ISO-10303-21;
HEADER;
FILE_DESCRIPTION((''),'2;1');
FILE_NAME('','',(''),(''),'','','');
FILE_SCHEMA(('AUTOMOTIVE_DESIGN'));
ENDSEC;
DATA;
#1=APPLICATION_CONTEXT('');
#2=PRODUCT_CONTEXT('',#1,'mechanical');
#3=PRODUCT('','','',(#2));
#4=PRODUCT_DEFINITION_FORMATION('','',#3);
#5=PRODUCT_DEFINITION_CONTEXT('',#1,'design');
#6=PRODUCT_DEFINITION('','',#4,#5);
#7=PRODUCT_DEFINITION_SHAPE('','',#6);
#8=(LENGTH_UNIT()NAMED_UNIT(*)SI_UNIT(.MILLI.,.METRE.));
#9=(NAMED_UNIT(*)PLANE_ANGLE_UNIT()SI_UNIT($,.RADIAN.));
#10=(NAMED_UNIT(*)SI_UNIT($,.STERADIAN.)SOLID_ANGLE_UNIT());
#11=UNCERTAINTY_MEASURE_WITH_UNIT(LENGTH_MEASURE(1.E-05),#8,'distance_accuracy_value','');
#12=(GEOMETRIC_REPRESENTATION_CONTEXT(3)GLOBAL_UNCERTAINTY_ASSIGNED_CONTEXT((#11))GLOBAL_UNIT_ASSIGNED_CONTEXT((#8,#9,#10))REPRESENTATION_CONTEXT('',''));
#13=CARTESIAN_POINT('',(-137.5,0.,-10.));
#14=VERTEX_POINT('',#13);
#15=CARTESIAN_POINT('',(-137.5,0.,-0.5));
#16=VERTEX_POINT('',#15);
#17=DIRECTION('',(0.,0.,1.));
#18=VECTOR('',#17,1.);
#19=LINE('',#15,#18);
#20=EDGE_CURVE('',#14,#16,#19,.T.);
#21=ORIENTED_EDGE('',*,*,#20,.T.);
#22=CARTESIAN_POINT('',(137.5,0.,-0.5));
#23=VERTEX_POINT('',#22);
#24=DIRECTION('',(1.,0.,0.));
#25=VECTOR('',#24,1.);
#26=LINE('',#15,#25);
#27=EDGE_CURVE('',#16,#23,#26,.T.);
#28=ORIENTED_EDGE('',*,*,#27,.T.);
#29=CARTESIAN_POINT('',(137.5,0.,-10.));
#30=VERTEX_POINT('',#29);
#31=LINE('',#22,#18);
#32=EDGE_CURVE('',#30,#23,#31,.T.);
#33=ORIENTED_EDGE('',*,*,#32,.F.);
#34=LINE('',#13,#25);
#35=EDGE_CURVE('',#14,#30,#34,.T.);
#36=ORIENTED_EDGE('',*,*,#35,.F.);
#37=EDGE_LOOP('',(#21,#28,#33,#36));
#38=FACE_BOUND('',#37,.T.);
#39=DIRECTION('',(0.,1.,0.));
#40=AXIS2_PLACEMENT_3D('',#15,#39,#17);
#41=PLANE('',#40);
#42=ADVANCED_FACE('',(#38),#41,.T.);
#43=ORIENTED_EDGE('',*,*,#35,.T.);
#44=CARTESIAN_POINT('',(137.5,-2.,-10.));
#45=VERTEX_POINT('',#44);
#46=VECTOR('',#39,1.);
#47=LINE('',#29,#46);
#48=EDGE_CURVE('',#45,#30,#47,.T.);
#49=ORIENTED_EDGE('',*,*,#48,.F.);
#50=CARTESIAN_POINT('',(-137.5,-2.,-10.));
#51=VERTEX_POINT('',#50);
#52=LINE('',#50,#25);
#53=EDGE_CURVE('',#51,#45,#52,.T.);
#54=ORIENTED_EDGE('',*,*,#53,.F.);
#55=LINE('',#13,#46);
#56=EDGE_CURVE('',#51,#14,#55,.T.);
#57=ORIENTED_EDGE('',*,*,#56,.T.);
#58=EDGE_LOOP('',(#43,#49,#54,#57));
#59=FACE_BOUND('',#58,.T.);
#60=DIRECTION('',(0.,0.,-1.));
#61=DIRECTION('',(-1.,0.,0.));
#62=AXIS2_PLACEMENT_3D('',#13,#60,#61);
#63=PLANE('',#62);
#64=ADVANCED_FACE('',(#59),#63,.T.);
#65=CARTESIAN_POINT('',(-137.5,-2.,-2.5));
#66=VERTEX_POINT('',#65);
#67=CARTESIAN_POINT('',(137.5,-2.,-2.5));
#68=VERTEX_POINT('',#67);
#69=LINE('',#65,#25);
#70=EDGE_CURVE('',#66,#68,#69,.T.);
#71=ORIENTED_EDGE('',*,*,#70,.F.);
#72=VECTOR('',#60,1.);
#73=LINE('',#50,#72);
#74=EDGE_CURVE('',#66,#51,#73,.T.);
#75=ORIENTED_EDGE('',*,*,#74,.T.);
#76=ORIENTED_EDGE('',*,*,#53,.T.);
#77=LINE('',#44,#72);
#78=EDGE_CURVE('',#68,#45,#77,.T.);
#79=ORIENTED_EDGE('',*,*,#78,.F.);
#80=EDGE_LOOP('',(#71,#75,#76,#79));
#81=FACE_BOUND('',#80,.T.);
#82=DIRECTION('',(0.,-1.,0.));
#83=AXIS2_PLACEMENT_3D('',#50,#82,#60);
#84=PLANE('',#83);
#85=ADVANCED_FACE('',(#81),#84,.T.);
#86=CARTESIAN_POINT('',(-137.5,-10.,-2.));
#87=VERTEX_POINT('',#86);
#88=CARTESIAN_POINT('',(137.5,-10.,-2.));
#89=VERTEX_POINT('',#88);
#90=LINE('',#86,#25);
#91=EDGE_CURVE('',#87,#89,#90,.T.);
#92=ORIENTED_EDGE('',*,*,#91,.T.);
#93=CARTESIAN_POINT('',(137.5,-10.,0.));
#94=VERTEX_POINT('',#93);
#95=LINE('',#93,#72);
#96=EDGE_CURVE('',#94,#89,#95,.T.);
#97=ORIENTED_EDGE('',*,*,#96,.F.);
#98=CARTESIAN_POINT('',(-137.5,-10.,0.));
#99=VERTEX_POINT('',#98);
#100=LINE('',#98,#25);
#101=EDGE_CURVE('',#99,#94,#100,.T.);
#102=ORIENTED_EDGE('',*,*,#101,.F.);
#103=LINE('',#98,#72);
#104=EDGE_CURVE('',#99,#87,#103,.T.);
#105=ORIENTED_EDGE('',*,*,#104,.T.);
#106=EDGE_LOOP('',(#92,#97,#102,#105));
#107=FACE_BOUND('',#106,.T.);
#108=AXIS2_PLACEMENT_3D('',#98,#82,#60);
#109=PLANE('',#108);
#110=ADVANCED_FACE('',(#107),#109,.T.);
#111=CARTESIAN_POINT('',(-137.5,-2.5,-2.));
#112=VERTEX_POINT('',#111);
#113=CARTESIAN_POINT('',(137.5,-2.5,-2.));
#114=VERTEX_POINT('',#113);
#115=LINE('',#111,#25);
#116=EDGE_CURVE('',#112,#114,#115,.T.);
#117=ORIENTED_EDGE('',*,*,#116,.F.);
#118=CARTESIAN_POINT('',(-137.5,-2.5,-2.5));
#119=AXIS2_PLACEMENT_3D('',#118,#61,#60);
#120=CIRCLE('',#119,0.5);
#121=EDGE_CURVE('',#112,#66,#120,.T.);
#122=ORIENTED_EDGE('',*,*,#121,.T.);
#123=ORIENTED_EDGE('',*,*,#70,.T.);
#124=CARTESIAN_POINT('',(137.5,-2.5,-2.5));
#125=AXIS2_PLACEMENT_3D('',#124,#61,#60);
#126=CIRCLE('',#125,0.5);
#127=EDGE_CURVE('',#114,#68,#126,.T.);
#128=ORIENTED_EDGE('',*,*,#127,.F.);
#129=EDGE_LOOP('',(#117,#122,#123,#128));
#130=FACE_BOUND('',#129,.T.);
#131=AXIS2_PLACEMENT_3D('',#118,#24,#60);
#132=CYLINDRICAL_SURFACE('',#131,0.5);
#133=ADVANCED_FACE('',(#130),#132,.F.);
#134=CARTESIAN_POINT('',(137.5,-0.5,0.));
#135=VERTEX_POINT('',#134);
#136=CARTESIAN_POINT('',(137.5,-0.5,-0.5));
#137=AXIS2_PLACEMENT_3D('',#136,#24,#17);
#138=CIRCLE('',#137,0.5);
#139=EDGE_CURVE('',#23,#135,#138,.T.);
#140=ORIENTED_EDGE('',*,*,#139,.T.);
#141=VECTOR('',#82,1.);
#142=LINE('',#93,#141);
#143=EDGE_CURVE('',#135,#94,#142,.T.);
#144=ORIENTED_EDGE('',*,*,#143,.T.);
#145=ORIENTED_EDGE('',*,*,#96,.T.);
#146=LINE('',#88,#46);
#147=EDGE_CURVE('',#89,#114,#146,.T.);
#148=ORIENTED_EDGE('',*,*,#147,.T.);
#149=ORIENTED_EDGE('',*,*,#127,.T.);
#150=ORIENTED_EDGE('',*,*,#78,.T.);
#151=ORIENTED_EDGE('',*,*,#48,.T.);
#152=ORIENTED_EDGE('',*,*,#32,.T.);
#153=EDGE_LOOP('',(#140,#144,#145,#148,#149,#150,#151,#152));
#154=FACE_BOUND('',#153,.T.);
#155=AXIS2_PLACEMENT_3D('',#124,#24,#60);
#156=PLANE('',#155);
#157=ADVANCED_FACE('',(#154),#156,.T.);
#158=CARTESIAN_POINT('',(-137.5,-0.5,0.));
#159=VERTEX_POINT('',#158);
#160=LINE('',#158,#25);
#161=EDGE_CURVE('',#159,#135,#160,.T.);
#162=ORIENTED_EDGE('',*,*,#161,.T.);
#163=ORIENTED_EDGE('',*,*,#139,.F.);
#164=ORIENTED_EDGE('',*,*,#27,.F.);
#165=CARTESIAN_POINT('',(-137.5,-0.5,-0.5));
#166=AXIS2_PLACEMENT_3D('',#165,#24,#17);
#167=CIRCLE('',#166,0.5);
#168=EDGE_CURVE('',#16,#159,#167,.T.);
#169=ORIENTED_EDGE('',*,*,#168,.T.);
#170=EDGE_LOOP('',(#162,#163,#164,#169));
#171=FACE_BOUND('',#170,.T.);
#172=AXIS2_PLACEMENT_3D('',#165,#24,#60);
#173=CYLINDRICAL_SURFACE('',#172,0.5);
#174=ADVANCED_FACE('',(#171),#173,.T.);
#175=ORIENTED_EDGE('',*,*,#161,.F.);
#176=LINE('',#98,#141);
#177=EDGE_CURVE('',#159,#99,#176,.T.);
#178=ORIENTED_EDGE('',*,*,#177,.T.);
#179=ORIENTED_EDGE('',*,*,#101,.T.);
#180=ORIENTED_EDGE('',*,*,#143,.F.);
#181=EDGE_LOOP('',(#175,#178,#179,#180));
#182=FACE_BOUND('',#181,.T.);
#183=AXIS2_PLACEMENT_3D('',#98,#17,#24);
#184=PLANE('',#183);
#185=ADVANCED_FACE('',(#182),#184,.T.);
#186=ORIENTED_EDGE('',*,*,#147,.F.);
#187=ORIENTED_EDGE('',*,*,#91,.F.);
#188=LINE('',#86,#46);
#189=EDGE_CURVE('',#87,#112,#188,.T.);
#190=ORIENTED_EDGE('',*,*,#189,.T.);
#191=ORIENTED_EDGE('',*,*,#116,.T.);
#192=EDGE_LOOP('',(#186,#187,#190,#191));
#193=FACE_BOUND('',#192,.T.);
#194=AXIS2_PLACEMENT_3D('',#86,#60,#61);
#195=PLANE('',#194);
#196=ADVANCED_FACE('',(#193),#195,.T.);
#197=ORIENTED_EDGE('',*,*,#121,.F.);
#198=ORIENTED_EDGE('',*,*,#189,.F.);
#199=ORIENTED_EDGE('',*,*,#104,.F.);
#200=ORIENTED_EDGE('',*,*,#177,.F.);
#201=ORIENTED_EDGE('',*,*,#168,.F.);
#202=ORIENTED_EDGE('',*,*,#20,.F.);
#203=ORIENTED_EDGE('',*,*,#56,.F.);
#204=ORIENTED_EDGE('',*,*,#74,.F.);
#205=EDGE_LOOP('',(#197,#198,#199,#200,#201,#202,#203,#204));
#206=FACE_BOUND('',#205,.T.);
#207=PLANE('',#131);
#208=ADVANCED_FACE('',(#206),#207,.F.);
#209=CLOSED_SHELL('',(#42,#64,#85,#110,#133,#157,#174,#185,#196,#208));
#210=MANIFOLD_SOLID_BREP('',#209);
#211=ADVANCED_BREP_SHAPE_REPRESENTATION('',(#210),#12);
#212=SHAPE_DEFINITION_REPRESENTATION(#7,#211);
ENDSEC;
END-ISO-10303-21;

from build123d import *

# Parameters (mm, degrees)
BOSS_EXTRUDE1_DEPTH      = 137.5
BOSS_EXTRUDE1_DEPTH_BACK = 137.5


with BuildPart() as part:
    # Sketch1 → Boss-Extrude1 (new, two sides: drawn at the far end of the back side and taken through both)
    with BuildSketch(Plane(origin=(0, 0, 0), x_dir=(0, 0, -1), z_dir=(1, 0, 0)).offset(-BOSS_EXTRUDE1_DEPTH_BACK)):
        with BuildLine():
            Line((0, -10), (0, -0.5))
            ThreePointArc((0, -0.5), (0.146446609, -0.146446609), (0.5, 0))
            Line((0.5, 0), (10, 0))
            Line((10, 0), (10, -2))
            Line((10, -2), (2.5, -2))
            ThreePointArc((2.5, -2), (2.146446609, -2.146446609), (2, -2.5))
            Line((2, -2.5), (2, -10))
            Line((2, -10), (0, -10))
        make_face()
    extrude(amount=BOSS_EXTRUDE1_DEPTH + BOSS_EXTRUDE1_DEPTH_BACK)


solid = part.part
